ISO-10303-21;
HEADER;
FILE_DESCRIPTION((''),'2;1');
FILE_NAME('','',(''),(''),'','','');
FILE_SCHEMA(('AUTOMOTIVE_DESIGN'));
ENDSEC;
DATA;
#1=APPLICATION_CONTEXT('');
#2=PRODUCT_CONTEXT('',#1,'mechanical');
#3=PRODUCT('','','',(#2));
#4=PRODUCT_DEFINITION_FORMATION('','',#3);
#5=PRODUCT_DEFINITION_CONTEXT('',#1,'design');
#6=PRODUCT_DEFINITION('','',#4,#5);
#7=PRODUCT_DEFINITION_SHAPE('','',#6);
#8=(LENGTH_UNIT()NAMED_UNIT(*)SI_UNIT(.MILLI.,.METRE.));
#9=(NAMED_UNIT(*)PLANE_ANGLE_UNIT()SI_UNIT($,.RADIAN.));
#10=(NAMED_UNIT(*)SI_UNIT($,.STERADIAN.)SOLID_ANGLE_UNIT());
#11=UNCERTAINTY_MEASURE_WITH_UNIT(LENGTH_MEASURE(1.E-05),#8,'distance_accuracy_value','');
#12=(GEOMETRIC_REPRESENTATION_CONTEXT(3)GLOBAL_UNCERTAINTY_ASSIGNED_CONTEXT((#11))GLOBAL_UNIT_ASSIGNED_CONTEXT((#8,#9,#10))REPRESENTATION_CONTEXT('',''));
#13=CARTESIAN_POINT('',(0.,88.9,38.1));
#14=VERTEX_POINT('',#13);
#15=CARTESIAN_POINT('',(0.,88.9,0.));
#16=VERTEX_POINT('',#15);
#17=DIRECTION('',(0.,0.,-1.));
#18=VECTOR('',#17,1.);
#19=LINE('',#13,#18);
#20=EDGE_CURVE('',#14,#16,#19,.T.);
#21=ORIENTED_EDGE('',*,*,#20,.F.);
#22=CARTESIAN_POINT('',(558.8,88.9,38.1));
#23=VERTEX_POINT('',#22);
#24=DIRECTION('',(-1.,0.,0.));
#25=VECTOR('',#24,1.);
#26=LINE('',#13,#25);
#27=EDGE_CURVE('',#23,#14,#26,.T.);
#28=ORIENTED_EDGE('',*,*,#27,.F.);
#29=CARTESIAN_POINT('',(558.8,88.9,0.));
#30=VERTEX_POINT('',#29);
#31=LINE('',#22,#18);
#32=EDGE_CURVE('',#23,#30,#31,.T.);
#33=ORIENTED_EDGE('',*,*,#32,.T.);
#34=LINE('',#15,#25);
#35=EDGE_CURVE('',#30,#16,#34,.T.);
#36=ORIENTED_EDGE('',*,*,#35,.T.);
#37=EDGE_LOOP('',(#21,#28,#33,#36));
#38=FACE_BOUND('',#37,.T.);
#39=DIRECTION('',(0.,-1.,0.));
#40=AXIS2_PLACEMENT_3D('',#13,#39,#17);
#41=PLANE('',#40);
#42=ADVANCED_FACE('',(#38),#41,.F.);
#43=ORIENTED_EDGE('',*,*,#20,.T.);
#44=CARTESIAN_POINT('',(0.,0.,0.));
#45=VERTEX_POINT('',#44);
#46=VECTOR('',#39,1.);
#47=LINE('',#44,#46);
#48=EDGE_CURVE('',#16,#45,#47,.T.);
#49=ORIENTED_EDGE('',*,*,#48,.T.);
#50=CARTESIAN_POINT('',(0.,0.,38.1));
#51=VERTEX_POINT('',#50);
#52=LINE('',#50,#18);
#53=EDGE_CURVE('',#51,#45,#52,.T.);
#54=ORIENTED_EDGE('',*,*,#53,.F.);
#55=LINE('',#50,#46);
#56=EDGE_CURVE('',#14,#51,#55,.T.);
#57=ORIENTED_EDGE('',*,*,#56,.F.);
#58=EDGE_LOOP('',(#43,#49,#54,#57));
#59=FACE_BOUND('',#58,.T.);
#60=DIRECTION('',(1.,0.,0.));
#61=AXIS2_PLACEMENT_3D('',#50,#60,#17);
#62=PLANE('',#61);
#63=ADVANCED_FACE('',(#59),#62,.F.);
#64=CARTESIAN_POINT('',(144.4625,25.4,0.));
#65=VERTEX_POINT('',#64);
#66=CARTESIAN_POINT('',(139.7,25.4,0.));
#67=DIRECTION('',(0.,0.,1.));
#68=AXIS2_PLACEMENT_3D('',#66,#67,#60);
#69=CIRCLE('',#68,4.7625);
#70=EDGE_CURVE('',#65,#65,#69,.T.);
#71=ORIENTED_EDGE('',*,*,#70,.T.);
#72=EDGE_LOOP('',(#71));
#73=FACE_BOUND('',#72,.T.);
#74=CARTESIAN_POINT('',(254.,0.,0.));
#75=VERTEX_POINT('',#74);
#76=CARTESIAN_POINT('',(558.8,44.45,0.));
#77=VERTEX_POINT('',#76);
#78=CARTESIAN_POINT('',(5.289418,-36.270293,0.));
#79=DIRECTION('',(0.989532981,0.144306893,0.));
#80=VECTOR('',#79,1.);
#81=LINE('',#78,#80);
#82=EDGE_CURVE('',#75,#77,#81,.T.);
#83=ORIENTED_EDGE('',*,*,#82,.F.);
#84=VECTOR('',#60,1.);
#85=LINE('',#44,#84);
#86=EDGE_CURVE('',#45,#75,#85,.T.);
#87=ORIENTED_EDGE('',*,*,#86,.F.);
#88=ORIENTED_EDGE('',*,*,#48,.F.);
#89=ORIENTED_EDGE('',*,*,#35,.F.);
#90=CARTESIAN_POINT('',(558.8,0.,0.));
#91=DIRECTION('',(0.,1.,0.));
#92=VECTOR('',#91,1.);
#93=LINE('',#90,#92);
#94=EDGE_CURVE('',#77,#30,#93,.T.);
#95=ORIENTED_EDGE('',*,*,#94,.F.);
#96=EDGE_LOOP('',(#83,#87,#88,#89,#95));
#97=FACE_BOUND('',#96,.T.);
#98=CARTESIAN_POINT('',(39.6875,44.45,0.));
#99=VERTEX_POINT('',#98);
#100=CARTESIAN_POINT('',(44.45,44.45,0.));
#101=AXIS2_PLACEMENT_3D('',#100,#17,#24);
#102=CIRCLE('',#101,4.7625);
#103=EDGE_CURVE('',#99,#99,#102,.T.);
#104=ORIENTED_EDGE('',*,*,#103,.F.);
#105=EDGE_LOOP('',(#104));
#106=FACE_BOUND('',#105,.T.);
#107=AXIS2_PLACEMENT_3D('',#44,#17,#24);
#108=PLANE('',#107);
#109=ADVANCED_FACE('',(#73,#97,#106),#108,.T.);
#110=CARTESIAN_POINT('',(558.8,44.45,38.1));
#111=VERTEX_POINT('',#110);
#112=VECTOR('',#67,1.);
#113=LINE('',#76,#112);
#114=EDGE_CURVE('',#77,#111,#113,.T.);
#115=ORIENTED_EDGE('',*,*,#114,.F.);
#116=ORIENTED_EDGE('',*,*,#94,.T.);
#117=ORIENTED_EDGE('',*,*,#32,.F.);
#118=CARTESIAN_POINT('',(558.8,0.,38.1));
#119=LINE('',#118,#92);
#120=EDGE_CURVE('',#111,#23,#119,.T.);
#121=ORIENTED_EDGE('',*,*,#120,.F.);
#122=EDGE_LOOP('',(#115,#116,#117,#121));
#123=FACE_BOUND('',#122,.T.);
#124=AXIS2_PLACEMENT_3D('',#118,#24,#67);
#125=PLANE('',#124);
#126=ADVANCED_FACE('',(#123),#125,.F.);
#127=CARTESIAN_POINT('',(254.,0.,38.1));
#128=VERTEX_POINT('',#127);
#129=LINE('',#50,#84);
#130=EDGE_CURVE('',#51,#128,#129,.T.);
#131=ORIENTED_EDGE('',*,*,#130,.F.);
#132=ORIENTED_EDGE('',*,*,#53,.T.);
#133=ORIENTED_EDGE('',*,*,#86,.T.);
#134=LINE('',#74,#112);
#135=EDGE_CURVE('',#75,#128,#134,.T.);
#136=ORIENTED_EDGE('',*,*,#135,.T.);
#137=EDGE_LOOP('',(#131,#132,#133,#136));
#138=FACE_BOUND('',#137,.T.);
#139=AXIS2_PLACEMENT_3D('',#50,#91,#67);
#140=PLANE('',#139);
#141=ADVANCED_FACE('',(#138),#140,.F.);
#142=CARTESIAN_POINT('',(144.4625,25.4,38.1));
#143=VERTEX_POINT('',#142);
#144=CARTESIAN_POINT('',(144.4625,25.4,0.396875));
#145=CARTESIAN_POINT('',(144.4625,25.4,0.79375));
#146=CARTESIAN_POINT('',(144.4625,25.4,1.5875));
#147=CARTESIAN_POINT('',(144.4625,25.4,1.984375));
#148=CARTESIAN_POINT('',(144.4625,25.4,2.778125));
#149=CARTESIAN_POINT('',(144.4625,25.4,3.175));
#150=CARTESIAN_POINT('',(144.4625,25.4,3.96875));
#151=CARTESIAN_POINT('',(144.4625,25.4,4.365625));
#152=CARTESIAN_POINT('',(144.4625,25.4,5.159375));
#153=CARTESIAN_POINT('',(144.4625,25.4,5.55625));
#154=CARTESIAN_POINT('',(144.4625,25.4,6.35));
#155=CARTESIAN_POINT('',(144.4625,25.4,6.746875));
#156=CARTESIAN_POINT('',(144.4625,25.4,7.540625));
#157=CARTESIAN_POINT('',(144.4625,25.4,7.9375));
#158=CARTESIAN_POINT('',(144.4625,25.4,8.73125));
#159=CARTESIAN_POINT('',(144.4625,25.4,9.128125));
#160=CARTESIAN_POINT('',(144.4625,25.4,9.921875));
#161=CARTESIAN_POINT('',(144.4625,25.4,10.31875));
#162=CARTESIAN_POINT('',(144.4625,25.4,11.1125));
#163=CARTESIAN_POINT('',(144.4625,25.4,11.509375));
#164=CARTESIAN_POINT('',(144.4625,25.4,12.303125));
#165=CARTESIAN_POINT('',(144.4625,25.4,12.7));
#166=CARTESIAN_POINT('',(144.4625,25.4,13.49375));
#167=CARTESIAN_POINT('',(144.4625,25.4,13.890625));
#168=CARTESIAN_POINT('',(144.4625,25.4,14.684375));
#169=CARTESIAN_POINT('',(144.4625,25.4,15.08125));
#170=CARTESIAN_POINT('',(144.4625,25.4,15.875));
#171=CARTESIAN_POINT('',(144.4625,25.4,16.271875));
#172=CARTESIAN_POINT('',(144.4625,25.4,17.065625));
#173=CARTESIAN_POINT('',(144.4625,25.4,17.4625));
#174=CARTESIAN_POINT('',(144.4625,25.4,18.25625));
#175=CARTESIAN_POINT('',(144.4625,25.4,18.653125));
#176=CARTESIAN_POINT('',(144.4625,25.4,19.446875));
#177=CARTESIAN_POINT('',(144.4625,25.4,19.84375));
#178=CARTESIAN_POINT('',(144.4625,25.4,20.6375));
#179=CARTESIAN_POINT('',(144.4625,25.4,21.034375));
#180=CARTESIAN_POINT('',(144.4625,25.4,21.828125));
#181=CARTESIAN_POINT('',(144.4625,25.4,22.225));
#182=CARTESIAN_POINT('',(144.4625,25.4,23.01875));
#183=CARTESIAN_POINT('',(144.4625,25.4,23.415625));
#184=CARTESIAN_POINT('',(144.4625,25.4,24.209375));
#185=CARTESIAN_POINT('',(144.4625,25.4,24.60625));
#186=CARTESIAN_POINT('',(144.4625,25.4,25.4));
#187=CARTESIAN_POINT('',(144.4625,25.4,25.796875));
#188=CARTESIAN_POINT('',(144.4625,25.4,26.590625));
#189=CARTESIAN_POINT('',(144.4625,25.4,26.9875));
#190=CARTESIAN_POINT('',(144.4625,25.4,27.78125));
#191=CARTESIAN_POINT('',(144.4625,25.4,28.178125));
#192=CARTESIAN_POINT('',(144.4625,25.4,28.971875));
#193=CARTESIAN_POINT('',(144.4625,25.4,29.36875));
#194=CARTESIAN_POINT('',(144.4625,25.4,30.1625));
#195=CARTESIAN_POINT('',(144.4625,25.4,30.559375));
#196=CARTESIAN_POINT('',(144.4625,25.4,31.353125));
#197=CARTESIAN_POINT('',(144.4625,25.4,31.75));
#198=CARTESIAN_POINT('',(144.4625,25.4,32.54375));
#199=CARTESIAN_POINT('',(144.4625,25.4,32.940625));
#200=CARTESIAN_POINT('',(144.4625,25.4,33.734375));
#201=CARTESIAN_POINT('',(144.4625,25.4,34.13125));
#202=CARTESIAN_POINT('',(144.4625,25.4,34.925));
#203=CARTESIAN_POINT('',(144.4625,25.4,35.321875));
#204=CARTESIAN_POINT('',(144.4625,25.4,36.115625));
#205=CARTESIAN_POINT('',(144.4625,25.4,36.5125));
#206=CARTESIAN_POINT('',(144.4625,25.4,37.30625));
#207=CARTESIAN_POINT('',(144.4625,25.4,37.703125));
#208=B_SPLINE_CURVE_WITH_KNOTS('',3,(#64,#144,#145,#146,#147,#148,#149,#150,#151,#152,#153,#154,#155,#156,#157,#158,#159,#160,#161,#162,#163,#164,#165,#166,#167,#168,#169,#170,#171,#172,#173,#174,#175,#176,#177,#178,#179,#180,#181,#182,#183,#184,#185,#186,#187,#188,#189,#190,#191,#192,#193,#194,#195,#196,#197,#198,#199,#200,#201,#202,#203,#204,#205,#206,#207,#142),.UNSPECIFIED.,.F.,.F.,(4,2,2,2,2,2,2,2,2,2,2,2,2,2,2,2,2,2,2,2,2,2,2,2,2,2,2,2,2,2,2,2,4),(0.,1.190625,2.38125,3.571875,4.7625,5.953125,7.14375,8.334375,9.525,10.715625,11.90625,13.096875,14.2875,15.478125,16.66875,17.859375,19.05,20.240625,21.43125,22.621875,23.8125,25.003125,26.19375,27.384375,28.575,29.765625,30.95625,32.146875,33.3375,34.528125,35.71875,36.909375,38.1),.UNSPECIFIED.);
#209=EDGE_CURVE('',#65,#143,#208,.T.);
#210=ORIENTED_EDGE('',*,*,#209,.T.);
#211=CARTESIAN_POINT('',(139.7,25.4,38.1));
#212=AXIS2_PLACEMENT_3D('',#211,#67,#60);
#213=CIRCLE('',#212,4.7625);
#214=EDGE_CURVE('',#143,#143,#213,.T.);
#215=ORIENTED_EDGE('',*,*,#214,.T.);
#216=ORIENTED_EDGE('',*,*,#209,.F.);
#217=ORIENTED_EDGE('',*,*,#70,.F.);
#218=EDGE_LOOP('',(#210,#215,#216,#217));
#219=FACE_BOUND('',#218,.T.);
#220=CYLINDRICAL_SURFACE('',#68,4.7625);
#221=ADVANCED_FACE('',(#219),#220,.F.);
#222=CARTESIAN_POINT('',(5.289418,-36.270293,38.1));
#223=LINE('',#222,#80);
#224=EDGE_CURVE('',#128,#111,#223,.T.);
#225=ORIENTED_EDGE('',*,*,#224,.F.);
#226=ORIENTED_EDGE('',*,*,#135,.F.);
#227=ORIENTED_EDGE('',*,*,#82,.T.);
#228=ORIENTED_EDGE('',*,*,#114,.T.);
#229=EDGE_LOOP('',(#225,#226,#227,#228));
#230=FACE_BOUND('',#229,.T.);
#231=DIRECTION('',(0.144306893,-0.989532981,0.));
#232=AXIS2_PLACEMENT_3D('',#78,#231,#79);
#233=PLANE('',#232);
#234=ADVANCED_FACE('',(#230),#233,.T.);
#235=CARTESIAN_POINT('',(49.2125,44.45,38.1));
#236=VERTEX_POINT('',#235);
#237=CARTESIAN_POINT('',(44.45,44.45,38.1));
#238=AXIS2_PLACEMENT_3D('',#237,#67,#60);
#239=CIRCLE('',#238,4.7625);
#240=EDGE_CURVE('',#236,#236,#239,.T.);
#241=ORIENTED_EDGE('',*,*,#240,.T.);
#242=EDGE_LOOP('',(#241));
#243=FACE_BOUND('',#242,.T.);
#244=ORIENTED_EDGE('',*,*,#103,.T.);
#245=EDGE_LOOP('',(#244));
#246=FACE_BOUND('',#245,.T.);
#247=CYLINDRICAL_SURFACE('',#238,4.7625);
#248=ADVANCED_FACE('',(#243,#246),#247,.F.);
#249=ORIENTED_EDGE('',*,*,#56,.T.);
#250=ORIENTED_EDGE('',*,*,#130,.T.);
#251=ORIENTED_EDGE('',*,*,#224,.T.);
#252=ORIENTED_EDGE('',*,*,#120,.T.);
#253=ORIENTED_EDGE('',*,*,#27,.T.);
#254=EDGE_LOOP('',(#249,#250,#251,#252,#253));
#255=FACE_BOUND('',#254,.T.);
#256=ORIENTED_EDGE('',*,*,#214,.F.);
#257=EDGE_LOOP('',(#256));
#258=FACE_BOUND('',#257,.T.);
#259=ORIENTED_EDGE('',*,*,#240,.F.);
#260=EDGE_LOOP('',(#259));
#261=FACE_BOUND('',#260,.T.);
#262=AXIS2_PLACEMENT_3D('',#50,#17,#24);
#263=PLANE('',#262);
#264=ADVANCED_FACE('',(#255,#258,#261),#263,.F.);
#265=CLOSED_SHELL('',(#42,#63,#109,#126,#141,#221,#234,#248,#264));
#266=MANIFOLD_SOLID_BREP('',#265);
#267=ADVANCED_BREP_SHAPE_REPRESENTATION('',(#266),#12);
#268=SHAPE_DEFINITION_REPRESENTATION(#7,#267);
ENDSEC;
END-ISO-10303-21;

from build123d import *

# Parameters (mm, degrees)
SKETCH1_W                        = 558.8
SKETCH1_H                        = 88.9
BOSS_EXTRUDE1_DEPTH              = 38.1
CUT_EXTRUDE1_DEPTH               = 568.108684469
F_3_8_0_375_DIAMETER_HOLE1_D     = 9.525
F_3_8_0_375_DIAMETER_HOLE1_DEPTH = 76.2
F_3_8_0_375_DIAMETER_HOLE1_TIP   = 2.861598698
SKETCH8_R                        = 4.7625
CUT_EXTRUDE2_DEPTH               = 568.108684469


with BuildPart() as part:
    # Sketch1 → Boss-Extrude1 (new body)
    with BuildSketch(Plane.XY):
        with Locations((279.4, 44.45)):
            Rectangle(SKETCH1_W, SKETCH1_H)
    extrude(amount=BOSS_EXTRUDE1_DEPTH)

    # Sketch2 → Cut-Extrude1 (cut, through all)
    with BuildSketch(Plane.XY.offset(38.1)):
        Polygon((558.8, 44.45), (254, 0), (558.8, 0), align=None)
    extrude(amount=-CUT_EXTRUDE1_DEPTH, mode=Mode.SUBTRACT)

    # 3/8 (0.375) Diameter Hole1
    with Locations(Plane.XY.offset(38.1)):
        with Locations((44.45, 44.45)):
            Hole(F_3_8_0_375_DIAMETER_HOLE1_D / 2, depth=F_3_8_0_375_DIAMETER_HOLE1_DEPTH)
            with Locations((0, 0, -(F_3_8_0_375_DIAMETER_HOLE1_DEPTH + F_3_8_0_375_DIAMETER_HOLE1_TIP / 2))):  # 118° drill point
                Cone(0, F_3_8_0_375_DIAMETER_HOLE1_D / 2, F_3_8_0_375_DIAMETER_HOLE1_TIP, mode=Mode.SUBTRACT)

    # Sketch8 → Cut-Extrude2 (cut, through all)
    with BuildSketch(Plane.XY.offset(38.1)):
        with Locations((139.7, 25.4)):
            Circle(SKETCH8_R)
    extrude(amount=-CUT_EXTRUDE2_DEPTH, mode=Mode.SUBTRACT)


solid = part.part
